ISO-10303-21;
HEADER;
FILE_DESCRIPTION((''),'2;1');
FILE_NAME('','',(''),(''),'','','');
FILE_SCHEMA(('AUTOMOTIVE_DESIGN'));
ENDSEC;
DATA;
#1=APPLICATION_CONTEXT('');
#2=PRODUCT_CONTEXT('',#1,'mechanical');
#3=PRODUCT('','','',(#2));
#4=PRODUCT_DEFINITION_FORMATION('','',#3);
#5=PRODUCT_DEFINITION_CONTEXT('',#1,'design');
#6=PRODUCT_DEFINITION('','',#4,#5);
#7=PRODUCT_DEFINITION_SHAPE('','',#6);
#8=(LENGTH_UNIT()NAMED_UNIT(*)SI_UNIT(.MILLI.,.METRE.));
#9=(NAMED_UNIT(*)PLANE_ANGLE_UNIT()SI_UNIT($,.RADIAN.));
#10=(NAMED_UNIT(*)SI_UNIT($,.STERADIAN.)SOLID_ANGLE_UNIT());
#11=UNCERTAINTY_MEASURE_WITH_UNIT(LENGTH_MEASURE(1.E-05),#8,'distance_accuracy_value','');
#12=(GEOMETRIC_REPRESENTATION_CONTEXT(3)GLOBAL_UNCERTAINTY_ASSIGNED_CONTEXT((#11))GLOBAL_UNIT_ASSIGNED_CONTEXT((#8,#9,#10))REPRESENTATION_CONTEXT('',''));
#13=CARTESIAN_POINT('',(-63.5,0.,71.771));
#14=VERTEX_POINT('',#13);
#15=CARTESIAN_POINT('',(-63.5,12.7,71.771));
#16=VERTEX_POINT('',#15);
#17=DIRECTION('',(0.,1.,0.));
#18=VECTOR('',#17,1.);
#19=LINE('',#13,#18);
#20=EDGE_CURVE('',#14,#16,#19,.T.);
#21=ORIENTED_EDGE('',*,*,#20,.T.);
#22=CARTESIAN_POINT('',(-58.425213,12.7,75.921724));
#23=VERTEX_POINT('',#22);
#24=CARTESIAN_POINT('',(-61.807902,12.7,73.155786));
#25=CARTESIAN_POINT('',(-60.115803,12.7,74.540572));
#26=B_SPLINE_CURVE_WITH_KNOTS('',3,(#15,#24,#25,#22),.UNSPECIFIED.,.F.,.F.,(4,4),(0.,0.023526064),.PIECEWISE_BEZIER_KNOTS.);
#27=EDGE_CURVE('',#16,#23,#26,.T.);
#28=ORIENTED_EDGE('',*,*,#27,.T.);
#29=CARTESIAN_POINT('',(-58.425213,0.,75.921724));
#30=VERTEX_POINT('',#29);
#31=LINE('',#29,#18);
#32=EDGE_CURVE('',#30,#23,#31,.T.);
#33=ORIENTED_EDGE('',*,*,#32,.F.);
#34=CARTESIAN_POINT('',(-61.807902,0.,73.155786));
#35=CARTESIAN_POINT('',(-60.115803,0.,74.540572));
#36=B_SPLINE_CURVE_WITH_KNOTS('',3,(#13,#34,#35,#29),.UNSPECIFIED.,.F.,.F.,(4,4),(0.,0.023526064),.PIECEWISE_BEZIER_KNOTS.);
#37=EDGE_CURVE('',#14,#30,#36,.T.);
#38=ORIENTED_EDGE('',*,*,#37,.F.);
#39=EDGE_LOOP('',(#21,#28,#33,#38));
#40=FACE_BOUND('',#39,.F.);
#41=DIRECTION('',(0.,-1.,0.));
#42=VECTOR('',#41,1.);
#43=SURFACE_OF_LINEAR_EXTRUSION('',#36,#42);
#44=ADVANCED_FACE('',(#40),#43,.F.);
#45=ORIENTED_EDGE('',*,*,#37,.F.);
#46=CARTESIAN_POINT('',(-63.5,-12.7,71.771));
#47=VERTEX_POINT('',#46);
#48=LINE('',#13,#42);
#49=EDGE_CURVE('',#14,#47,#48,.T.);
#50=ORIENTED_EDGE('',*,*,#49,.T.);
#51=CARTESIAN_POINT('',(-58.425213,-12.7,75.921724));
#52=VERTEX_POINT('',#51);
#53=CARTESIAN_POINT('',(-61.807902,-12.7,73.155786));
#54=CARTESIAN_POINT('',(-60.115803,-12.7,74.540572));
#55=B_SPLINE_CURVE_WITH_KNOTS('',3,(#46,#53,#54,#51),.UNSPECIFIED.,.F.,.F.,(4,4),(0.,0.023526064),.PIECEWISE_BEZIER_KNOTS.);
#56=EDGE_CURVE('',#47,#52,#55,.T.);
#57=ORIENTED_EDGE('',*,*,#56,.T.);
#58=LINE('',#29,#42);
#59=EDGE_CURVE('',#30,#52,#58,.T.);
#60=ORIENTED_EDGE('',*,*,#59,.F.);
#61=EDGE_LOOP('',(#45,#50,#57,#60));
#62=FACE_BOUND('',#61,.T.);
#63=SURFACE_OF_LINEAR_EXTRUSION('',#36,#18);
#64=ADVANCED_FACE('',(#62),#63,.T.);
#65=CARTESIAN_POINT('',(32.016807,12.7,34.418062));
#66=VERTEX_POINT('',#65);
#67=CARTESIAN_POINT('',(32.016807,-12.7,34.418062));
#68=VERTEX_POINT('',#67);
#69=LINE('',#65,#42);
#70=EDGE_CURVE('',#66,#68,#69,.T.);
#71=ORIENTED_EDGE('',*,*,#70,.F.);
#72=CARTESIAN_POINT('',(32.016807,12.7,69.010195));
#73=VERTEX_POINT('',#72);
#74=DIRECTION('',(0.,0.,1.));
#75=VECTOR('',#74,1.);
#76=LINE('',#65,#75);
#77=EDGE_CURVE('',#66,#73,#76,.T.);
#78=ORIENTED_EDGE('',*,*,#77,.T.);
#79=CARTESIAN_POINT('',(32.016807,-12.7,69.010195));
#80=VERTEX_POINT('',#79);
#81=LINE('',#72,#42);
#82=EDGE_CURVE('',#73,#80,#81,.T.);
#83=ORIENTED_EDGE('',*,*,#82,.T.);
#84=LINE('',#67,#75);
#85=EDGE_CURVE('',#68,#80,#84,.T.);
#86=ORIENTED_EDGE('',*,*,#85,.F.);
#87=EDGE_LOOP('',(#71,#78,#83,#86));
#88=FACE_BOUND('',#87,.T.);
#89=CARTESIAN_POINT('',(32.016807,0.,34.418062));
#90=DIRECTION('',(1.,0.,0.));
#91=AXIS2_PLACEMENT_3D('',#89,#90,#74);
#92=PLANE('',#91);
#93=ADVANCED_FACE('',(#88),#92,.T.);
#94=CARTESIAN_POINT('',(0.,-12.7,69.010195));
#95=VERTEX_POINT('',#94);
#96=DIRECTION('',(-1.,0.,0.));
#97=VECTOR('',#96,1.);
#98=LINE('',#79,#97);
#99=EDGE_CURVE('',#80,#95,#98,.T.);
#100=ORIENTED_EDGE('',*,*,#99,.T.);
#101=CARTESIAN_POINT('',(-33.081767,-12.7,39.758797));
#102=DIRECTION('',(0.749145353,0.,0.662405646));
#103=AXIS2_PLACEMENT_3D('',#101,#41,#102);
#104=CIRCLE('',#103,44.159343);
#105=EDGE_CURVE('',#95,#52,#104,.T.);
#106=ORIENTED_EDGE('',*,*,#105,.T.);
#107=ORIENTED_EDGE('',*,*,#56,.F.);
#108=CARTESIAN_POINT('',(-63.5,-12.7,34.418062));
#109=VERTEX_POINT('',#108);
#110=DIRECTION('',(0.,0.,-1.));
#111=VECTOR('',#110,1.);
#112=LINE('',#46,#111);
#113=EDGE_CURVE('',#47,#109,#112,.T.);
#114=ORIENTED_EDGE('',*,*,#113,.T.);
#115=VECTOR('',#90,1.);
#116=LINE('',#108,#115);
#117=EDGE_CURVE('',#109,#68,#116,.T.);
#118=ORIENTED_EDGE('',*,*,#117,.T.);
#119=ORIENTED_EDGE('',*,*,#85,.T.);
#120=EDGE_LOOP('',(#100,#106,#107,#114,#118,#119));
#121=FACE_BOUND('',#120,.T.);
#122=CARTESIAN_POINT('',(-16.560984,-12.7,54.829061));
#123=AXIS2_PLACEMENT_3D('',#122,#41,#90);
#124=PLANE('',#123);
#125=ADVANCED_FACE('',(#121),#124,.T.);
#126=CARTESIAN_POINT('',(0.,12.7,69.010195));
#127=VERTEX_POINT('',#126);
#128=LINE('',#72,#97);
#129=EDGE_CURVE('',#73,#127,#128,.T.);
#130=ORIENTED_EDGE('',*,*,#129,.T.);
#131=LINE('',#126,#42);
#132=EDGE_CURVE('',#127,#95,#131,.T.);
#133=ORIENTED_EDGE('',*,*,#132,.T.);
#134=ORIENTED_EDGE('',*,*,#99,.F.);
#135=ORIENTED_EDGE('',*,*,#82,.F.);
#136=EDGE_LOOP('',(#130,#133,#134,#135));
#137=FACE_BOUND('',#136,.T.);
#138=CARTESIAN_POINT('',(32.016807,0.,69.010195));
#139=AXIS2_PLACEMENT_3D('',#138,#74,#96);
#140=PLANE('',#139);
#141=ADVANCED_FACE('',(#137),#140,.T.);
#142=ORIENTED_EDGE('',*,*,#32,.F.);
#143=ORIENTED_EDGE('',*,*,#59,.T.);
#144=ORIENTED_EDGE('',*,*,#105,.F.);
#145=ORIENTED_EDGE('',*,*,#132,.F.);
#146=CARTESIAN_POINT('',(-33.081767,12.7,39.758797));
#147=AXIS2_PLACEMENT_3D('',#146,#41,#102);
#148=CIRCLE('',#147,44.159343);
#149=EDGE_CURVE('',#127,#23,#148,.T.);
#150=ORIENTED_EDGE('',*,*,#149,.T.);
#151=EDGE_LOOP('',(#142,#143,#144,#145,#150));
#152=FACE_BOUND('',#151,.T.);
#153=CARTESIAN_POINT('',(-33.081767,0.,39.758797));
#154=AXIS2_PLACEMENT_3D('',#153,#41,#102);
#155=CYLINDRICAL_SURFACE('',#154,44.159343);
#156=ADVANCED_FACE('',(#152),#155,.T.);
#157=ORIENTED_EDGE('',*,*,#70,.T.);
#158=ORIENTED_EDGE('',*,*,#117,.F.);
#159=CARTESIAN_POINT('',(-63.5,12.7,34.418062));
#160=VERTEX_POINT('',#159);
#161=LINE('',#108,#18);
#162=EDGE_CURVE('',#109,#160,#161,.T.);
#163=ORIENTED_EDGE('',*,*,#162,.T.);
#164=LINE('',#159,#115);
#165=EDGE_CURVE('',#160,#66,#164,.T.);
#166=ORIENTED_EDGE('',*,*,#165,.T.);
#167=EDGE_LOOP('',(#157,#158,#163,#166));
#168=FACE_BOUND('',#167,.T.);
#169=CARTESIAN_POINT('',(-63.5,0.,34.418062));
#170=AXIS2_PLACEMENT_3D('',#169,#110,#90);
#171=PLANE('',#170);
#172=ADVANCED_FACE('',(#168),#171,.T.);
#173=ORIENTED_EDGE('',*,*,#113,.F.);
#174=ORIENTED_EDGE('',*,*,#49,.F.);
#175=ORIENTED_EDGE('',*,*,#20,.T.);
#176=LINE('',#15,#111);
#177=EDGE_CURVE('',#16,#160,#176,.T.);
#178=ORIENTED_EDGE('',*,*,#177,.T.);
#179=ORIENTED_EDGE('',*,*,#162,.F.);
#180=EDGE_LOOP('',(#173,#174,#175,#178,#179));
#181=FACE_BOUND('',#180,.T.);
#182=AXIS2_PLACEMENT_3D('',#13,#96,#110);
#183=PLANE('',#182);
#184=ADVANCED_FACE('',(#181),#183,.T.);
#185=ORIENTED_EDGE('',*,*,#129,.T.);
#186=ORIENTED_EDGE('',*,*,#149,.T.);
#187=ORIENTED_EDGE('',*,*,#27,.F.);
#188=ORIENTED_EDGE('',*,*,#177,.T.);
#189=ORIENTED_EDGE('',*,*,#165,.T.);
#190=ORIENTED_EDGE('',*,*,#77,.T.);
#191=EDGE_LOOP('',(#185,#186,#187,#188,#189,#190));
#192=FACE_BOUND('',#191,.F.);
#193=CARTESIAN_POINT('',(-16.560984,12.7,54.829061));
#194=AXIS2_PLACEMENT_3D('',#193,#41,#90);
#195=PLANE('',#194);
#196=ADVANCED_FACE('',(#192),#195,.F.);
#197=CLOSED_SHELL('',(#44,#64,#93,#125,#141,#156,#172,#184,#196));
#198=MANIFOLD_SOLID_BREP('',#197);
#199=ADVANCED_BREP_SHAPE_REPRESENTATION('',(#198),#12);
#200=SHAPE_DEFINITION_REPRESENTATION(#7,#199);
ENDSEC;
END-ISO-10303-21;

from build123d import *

# Parameters (mm, degrees)
F1_DEPTH = 12.7


with BuildPart() as f1:
    # F0 (on Front) → F1 (new body, symmetric)
    with BuildSketch(Plane.XZ):
        with BuildLine():
            Line((-63.5, 34.4180623237), (32.016806888, 34.4180623237))
            Line((32.016806888, 34.4180623237), (32.016806888, 69.0101948619))
            Line((32.016806888, 69.0101948619), (0, 69.0101948619))
            ThreePointArc((0, 69.0101948619), (-27.8940208661, 83.6123583705), (-58.4252133702, 75.9217235792))
            add(Edge.make_bspline(
                [(-63.5, 71.771000415), (-61.8079017418, 73.1557863165), (-60.1158034836, 74.540572218), (-58.4252133702, 75.9217235792)],
                knots=[0, 0, 0, 0, 0.0235260639, 0.0235260639, 0.0235260639, 0.0235260639], degree=3))
            Line((-63.5, 71.771000415), (-63.5, 34.4180623237))
        make_face()
    extrude(amount=F1_DEPTH, both=True)


solid = f1.part
